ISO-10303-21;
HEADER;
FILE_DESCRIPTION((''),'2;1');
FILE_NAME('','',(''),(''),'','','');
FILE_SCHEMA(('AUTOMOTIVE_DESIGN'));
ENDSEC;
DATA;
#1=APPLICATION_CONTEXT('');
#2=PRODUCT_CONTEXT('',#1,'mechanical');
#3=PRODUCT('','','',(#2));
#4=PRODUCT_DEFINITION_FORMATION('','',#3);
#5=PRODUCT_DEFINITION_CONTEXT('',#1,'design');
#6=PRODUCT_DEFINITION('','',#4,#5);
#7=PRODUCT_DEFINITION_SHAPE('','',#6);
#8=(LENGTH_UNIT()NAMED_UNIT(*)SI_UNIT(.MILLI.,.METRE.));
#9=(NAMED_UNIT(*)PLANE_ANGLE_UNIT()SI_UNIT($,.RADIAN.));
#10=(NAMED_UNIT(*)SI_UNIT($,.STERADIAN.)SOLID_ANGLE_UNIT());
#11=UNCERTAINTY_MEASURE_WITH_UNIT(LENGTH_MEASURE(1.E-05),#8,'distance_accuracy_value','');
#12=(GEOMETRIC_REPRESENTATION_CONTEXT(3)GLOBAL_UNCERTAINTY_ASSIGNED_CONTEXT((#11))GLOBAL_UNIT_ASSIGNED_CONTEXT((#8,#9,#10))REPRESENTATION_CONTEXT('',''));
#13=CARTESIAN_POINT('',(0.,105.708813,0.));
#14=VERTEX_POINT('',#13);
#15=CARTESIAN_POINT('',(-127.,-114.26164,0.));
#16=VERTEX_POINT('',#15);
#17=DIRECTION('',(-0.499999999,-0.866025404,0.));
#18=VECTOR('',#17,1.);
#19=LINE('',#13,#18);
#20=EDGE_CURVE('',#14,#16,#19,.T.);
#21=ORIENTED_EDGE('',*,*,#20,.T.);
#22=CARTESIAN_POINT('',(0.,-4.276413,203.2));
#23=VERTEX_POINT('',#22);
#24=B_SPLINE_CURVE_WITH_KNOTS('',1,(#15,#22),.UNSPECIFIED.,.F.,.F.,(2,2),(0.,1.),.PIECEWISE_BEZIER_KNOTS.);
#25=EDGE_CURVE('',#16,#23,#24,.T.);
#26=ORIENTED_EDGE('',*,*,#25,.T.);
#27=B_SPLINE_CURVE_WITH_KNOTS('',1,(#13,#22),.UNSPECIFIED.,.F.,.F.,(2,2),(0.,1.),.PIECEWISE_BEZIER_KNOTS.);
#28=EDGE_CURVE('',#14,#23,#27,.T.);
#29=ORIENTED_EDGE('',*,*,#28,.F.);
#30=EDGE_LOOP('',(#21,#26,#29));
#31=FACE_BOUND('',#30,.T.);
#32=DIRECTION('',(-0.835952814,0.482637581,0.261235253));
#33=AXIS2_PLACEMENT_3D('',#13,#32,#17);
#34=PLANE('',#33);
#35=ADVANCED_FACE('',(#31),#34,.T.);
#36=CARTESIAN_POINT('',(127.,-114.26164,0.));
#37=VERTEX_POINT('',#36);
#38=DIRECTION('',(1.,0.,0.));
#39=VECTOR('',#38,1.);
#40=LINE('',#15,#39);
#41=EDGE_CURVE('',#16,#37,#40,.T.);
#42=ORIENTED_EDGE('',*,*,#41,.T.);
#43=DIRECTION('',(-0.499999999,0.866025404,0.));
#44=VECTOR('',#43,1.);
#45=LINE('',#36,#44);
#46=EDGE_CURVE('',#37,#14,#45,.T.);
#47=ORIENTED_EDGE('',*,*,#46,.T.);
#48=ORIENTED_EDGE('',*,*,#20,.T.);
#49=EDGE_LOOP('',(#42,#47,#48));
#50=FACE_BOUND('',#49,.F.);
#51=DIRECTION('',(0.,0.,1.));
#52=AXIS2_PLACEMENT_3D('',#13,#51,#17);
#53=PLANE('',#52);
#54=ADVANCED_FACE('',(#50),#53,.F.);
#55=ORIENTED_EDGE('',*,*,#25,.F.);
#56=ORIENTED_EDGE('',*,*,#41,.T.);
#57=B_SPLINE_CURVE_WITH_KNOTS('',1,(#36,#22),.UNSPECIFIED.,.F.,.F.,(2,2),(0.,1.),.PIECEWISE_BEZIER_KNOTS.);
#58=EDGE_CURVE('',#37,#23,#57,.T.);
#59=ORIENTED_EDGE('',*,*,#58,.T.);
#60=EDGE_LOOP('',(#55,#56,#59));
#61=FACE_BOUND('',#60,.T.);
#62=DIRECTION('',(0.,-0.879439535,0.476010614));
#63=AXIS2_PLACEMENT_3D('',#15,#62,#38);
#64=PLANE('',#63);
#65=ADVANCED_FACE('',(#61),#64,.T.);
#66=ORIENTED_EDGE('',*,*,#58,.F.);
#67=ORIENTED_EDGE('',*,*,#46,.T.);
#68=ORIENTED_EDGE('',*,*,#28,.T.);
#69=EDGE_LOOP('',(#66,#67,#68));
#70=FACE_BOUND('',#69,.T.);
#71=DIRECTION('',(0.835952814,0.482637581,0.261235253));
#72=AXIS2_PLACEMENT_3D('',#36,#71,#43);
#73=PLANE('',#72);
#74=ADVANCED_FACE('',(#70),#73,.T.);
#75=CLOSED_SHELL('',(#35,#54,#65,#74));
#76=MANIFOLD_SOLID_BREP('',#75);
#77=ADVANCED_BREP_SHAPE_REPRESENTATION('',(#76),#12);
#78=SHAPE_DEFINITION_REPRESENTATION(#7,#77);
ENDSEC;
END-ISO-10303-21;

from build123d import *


with BuildPart() as f3:
    # F0 (on Top) → F3 section 0
    with BuildSketch(Plane.XY, mode=Mode.PRIVATE) as f3_s0:
        Polygon((0, 105.708813), (-127, -114.26164), (127, -114.26164), align=None)
    loft([f3_s0.sketch, Vertex(0, -4.276413, 203.2)])


solid = f3.part
